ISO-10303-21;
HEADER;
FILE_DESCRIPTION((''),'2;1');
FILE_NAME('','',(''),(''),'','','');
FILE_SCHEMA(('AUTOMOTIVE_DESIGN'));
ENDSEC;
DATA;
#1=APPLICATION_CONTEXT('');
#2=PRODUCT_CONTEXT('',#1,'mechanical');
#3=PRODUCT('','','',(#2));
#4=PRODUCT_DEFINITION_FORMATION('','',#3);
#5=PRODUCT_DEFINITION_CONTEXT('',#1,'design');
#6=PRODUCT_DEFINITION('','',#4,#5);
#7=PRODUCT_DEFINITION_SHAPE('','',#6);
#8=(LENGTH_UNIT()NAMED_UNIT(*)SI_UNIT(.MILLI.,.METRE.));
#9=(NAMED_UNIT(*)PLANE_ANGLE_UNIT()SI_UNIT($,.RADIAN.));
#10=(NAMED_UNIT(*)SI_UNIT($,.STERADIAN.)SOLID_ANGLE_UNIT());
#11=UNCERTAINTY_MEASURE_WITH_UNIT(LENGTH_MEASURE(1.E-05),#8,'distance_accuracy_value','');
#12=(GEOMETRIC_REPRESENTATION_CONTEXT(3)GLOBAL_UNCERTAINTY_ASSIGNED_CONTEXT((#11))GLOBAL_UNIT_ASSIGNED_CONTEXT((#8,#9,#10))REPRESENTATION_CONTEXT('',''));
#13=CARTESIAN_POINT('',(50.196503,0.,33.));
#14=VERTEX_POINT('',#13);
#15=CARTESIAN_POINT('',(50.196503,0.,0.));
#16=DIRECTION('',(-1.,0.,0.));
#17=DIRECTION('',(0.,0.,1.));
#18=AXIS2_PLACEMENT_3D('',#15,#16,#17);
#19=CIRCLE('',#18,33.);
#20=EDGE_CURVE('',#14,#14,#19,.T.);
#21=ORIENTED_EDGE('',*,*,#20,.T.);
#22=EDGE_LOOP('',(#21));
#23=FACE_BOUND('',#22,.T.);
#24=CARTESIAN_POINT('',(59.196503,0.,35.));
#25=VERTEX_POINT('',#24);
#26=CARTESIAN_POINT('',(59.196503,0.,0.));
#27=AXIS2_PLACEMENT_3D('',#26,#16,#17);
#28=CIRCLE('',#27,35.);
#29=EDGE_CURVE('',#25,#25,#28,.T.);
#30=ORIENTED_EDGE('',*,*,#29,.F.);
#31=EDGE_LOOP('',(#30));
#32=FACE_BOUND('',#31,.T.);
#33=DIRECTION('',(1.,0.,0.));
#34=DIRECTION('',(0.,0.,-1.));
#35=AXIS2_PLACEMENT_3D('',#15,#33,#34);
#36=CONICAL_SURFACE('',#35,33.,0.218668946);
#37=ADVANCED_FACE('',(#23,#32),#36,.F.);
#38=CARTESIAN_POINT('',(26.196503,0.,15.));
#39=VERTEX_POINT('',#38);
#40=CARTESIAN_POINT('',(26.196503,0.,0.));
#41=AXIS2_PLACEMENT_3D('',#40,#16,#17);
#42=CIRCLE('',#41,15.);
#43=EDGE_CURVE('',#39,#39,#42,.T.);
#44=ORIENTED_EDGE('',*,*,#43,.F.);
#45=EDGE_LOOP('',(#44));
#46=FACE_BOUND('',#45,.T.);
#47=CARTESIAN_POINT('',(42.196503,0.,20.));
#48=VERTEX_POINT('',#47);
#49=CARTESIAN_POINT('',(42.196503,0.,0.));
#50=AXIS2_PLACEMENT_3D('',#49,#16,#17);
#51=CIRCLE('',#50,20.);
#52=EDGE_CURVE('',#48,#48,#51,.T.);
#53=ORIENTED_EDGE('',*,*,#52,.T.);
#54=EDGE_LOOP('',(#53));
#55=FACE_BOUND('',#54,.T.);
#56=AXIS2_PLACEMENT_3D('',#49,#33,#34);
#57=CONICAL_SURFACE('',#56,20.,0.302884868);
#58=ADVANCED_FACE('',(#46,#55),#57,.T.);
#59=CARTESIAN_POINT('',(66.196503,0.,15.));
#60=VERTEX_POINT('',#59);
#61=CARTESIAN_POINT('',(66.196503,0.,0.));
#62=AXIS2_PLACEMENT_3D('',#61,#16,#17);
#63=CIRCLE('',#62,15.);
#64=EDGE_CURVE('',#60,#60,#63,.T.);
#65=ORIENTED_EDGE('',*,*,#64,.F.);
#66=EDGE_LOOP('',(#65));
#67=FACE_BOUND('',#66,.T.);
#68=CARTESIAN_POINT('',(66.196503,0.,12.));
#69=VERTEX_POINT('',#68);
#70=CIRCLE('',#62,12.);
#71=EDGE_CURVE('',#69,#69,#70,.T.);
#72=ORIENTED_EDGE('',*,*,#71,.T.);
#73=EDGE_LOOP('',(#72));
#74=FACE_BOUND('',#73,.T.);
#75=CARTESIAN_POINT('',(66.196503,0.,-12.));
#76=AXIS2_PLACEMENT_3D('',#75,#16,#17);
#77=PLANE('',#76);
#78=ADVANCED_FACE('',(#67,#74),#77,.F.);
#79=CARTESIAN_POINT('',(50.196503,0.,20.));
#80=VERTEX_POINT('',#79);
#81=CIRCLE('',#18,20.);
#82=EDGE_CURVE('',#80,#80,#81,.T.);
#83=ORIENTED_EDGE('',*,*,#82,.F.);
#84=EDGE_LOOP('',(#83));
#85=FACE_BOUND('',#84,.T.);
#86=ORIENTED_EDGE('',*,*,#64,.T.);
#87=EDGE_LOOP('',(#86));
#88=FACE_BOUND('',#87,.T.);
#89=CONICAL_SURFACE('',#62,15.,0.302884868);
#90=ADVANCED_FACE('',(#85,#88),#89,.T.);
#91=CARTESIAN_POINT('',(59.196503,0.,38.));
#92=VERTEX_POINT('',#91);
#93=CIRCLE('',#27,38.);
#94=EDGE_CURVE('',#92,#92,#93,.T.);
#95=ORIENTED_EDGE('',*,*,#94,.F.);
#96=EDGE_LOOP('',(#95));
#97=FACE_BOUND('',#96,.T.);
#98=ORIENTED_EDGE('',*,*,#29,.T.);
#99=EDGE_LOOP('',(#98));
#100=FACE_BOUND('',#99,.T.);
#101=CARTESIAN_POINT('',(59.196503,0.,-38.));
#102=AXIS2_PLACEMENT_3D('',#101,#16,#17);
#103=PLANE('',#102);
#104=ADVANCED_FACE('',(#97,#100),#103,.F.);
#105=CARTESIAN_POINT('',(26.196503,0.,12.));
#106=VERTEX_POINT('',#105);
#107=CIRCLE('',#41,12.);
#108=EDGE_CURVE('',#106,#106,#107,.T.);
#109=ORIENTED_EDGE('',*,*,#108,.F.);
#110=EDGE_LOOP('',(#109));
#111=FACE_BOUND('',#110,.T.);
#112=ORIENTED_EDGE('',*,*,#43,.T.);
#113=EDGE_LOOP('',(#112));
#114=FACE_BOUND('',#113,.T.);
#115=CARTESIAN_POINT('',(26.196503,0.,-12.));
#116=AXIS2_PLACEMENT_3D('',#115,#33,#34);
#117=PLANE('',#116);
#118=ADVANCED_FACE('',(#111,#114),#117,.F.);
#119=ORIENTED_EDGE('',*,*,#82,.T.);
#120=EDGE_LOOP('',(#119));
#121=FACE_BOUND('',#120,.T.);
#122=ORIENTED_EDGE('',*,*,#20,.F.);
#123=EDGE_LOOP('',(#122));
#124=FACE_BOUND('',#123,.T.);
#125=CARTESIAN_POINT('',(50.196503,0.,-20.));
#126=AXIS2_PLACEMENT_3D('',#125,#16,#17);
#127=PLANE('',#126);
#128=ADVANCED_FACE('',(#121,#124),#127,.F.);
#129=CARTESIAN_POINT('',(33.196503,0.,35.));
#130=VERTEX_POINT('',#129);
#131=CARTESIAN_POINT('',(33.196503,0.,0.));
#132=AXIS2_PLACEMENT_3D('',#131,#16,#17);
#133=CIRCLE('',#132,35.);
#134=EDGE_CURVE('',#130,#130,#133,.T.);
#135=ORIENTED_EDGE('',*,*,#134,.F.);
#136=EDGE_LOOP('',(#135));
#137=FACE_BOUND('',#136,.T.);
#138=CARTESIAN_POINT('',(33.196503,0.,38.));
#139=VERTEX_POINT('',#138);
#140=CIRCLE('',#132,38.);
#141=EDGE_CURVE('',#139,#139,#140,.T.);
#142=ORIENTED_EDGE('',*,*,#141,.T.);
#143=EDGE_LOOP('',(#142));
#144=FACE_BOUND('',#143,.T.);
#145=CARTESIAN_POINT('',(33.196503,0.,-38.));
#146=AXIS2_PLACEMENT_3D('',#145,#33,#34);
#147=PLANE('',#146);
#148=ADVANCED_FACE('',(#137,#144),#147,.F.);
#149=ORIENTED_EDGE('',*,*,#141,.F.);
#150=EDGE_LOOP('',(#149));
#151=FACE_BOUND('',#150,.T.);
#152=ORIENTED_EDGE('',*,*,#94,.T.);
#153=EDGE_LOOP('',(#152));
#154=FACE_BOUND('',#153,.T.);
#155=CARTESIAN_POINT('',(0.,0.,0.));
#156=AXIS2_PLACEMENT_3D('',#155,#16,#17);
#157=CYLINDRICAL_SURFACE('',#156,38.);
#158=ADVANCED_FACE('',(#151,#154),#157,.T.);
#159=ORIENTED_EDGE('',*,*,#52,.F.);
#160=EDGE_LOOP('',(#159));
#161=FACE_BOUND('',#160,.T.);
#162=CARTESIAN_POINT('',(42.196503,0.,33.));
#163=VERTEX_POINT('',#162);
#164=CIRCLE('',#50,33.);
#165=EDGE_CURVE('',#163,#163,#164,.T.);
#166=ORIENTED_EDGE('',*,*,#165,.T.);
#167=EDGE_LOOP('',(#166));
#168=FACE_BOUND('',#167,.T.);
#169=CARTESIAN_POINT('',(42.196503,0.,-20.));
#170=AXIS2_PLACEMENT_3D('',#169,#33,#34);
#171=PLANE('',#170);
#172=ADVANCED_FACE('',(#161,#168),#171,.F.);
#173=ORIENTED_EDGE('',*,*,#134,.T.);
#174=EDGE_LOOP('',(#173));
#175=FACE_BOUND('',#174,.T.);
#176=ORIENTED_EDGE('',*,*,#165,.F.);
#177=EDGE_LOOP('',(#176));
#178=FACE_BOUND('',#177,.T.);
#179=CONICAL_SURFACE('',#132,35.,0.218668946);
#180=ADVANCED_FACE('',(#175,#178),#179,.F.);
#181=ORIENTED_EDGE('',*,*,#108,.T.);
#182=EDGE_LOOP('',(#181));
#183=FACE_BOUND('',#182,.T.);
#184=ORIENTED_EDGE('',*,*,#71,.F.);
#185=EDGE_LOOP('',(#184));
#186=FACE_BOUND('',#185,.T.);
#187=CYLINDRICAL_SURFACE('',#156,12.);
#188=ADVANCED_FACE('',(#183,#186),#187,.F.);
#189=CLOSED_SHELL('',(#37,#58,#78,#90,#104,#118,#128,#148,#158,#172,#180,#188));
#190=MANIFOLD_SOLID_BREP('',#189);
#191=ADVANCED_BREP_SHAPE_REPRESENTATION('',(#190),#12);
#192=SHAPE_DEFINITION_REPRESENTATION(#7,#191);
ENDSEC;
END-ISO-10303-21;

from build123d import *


with BuildPart() as part:
    # Sketch1 → Revolve3 (revolve)
    with BuildSketch(Plane(origin=(0, 0, 0), x_dir=(1, 0, 0), z_dir=(0, 1, 0))):
        Polygon((26.196502876, 12), (66.196502876, 12), (66.196502876, 15), (50.196502876, 20), (50.196502876, 33), (59.196502876, 35), (59.196502876, 38), (33.196502876, 38), (33.196502876, 35), (42.196502876, 33), (42.196502876, 20), (26.196502876, 15), align=None)
    revolve(axis=Axis((0, 0, 0), (1, 0, 0)))


solid = part.part
